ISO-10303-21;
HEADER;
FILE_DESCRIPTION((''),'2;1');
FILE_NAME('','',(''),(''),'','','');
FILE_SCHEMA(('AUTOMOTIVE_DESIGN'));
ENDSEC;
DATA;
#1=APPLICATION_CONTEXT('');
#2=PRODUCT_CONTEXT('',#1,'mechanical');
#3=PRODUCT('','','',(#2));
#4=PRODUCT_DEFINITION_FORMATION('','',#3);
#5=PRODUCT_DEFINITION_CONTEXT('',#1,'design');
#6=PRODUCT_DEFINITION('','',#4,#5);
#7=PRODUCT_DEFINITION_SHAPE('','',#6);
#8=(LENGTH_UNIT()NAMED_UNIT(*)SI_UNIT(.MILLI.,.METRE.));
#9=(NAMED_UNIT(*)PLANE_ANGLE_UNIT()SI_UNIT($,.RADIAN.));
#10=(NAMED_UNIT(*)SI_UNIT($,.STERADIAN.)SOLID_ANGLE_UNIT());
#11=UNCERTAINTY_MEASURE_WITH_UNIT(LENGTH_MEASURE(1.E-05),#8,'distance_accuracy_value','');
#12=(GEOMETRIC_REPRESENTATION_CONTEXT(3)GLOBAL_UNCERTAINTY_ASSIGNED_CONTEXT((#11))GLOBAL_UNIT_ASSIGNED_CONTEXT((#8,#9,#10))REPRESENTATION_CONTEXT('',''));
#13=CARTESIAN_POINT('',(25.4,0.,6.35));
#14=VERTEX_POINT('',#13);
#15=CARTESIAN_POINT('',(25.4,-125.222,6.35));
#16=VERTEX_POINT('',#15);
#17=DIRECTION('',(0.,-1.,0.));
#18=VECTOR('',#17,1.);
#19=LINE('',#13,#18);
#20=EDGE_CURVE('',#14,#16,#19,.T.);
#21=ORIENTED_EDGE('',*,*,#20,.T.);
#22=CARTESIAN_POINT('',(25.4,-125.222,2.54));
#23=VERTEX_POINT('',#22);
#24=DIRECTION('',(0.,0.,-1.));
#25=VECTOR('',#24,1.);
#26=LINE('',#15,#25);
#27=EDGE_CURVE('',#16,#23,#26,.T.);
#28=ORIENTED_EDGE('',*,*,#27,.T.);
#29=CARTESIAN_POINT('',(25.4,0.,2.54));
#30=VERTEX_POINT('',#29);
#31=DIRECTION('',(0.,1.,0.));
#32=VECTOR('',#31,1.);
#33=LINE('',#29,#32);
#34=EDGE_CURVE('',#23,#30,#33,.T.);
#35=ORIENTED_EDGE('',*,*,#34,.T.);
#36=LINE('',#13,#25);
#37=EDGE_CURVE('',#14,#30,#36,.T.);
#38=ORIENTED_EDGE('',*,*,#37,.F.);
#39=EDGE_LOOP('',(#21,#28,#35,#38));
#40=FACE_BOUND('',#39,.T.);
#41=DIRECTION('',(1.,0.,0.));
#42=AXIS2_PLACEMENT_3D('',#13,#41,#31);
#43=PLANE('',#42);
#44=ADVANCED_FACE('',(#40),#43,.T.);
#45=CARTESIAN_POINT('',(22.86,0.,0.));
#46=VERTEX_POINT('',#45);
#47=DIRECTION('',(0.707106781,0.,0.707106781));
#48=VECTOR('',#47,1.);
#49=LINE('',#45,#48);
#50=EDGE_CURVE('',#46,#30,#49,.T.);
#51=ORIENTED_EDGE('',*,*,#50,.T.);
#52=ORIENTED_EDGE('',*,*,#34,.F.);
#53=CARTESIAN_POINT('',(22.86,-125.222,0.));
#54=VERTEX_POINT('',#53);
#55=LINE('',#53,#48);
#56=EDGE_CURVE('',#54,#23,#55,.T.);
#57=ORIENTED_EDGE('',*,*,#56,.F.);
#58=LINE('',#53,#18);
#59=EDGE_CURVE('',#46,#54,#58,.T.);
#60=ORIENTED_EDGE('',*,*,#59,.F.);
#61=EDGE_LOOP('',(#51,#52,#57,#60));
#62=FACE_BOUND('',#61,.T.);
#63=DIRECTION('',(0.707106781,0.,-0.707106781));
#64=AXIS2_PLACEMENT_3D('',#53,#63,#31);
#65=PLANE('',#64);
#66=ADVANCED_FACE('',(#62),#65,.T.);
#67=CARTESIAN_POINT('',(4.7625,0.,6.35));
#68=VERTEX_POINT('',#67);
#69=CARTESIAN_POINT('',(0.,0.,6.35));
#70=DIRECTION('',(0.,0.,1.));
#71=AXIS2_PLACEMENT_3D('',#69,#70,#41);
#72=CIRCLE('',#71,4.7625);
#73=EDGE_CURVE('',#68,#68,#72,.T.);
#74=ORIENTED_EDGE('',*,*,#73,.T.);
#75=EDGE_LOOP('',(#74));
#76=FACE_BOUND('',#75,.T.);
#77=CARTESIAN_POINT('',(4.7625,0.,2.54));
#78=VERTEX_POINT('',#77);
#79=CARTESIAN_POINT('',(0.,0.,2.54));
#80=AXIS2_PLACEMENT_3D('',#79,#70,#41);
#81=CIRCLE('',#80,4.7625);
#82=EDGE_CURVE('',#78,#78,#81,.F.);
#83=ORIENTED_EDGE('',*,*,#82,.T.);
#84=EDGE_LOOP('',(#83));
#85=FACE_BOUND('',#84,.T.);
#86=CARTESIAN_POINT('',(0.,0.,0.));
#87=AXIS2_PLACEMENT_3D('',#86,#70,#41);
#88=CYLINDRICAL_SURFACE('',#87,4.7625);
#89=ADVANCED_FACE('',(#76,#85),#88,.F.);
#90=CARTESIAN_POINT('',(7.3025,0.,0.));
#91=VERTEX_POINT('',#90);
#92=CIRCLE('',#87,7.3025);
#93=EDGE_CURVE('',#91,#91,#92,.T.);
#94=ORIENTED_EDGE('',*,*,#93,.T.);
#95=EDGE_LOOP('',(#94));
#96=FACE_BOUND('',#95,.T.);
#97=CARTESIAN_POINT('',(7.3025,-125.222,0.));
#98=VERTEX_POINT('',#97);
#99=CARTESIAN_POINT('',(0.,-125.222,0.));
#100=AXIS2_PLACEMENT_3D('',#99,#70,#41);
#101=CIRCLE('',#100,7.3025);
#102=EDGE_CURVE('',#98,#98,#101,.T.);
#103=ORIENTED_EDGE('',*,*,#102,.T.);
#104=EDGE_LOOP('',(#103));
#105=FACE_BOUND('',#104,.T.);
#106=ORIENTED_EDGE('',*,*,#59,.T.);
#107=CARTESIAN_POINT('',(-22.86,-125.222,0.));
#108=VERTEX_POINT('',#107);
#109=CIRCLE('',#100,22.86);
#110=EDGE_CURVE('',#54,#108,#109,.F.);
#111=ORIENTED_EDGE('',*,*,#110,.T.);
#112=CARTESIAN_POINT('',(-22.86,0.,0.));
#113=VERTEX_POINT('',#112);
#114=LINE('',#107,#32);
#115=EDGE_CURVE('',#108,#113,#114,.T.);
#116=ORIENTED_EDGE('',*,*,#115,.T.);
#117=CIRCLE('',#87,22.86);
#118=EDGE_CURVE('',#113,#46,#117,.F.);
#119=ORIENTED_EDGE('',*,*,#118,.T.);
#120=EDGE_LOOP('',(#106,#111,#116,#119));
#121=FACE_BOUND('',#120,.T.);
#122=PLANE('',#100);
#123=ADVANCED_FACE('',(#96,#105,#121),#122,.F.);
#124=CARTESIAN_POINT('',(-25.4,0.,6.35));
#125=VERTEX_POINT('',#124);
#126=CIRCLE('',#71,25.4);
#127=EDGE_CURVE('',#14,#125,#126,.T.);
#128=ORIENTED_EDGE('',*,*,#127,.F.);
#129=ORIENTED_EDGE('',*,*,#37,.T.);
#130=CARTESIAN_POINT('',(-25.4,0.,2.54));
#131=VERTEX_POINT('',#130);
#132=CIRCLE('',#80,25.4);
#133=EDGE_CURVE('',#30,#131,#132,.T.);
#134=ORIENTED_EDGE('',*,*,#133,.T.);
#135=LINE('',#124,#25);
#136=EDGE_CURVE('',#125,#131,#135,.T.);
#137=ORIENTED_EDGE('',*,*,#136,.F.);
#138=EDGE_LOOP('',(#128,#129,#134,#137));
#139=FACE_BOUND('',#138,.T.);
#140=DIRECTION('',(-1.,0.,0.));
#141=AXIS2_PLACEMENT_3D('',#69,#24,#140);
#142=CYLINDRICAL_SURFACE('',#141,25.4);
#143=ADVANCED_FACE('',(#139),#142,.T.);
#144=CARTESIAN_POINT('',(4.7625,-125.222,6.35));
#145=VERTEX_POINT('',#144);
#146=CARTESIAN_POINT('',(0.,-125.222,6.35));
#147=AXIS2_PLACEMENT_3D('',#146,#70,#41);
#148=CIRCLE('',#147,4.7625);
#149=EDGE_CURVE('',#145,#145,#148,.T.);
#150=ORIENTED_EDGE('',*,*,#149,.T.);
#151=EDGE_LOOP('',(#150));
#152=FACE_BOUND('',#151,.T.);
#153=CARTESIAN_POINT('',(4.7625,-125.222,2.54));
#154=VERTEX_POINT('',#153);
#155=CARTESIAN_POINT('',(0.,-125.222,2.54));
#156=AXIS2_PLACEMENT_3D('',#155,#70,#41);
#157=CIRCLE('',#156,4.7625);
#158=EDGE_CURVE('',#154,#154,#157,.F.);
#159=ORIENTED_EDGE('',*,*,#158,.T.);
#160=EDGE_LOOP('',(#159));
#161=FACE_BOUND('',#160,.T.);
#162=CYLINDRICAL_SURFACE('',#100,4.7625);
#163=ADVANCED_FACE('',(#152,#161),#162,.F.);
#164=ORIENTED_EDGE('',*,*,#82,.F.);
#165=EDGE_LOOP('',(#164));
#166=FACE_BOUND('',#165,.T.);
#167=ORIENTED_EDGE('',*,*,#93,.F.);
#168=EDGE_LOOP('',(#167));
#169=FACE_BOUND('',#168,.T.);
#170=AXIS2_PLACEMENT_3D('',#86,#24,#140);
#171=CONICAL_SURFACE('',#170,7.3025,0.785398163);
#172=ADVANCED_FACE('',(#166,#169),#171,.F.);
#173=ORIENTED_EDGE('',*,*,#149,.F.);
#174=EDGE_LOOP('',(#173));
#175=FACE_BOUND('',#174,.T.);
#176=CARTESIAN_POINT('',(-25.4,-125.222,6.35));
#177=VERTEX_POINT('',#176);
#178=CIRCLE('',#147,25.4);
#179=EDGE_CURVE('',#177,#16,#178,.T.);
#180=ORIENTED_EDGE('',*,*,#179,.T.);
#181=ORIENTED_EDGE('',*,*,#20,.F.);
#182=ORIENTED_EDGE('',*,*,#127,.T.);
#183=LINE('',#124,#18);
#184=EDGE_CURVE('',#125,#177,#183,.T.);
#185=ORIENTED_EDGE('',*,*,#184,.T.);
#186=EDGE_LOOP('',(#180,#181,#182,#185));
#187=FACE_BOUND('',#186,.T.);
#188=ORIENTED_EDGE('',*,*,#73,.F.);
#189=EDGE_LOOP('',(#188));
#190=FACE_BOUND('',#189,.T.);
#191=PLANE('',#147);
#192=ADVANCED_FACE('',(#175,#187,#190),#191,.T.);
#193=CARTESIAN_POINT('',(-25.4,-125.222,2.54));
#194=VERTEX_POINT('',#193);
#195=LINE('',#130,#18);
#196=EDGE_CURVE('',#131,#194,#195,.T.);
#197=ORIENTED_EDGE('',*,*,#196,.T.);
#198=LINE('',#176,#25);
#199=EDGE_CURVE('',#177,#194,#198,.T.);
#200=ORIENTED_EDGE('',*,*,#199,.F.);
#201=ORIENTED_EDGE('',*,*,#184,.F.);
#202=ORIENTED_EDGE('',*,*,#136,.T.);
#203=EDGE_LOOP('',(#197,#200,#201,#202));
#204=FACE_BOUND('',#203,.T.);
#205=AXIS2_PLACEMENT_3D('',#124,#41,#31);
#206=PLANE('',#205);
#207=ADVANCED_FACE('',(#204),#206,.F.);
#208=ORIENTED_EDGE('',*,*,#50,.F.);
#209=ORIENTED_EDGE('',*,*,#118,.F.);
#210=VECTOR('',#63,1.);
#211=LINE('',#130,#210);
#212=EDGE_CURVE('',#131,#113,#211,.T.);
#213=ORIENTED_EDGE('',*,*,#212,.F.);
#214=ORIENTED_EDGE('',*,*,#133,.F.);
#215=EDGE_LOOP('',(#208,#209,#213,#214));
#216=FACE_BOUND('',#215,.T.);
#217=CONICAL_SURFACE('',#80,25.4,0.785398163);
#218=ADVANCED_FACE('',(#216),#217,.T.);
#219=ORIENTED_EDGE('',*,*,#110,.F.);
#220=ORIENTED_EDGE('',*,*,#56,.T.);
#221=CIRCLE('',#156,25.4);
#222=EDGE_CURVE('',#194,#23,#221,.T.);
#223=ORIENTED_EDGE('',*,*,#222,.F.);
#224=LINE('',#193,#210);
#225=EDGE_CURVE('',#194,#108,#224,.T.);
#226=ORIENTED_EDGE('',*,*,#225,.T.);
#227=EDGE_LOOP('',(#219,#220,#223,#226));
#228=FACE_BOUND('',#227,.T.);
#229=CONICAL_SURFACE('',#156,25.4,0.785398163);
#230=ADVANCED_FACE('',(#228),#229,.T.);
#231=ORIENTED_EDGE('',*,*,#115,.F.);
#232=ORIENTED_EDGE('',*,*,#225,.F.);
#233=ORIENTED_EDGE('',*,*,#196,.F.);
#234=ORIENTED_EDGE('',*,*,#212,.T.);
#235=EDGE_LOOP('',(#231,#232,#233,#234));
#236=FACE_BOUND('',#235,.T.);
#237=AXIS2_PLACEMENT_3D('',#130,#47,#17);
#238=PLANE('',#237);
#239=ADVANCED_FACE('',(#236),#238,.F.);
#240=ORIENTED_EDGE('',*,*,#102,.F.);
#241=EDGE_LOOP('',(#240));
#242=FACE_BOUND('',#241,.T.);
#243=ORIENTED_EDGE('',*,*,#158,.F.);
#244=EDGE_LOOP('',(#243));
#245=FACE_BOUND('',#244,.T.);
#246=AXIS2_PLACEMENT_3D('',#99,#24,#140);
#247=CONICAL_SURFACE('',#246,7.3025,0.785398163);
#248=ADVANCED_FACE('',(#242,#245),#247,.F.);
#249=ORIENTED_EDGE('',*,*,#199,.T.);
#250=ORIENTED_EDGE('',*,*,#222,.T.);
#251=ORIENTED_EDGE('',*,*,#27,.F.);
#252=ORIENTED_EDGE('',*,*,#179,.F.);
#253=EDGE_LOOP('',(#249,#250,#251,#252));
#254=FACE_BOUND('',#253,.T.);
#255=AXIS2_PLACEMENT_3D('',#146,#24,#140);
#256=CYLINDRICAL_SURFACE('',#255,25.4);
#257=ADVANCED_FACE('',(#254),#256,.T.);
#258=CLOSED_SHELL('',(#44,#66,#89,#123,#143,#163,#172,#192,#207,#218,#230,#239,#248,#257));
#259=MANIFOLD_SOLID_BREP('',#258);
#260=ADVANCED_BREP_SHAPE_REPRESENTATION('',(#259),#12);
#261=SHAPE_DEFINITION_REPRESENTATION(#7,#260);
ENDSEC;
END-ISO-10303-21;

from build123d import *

# Parameters (mm, degrees)
BOSS_EXTRUDE1_DEPTH = 6.35
SKETCH2_R           = 4.7625
CUT_EXTRUDE1_DEPTH  = 153.880572291
CHAMFER1_SIZE       = 2.54


with BuildPart() as part:
    # Sketch1 → Boss-Extrude1 (new body)
    with BuildSketch(Plane(origin=(0, 0, 0), x_dir=(0, 1, 0), z_dir=(0, 0, 1))):
        with BuildLine():
            Line((0, -25.4), (-125.222, -25.4))
            ThreePointArc((-125.222, -25.4), (-150.622, 0), (-125.222, 25.4))
            Line((-125.222, 25.4), (0, 25.4))
            ThreePointArc((0, 25.4), (25.4, 0), (0, -25.4))
        make_face()
    extrude(amount=BOSS_EXTRUDE1_DEPTH)

    # Sketch2 → Cut-Extrude1 (cut, through all)
    with BuildSketch(Plane.XY.offset(6.35)):
        Circle(SKETCH2_R)
        with Locations((0, -125.222)):
            Circle(SKETCH2_R)
    extrude(amount=-CUT_EXTRUDE1_DEPTH, mode=Mode.SUBTRACT)

    # Chamfer1
    chamfer1_edges = [part.edges().sort_by_distance(p)[0] for p in [
        (-4.7625, 0, 0),
        (-4.7625, -125.222, 0),
        (0, 25.4, 0),
        (25.4, -62.611, 0),
        (0, -150.622, 0),
        (-25.4, -62.611, 0),
    ]]
    chamfer(chamfer1_edges, length=CHAMFER1_SIZE)


solid = part.part
